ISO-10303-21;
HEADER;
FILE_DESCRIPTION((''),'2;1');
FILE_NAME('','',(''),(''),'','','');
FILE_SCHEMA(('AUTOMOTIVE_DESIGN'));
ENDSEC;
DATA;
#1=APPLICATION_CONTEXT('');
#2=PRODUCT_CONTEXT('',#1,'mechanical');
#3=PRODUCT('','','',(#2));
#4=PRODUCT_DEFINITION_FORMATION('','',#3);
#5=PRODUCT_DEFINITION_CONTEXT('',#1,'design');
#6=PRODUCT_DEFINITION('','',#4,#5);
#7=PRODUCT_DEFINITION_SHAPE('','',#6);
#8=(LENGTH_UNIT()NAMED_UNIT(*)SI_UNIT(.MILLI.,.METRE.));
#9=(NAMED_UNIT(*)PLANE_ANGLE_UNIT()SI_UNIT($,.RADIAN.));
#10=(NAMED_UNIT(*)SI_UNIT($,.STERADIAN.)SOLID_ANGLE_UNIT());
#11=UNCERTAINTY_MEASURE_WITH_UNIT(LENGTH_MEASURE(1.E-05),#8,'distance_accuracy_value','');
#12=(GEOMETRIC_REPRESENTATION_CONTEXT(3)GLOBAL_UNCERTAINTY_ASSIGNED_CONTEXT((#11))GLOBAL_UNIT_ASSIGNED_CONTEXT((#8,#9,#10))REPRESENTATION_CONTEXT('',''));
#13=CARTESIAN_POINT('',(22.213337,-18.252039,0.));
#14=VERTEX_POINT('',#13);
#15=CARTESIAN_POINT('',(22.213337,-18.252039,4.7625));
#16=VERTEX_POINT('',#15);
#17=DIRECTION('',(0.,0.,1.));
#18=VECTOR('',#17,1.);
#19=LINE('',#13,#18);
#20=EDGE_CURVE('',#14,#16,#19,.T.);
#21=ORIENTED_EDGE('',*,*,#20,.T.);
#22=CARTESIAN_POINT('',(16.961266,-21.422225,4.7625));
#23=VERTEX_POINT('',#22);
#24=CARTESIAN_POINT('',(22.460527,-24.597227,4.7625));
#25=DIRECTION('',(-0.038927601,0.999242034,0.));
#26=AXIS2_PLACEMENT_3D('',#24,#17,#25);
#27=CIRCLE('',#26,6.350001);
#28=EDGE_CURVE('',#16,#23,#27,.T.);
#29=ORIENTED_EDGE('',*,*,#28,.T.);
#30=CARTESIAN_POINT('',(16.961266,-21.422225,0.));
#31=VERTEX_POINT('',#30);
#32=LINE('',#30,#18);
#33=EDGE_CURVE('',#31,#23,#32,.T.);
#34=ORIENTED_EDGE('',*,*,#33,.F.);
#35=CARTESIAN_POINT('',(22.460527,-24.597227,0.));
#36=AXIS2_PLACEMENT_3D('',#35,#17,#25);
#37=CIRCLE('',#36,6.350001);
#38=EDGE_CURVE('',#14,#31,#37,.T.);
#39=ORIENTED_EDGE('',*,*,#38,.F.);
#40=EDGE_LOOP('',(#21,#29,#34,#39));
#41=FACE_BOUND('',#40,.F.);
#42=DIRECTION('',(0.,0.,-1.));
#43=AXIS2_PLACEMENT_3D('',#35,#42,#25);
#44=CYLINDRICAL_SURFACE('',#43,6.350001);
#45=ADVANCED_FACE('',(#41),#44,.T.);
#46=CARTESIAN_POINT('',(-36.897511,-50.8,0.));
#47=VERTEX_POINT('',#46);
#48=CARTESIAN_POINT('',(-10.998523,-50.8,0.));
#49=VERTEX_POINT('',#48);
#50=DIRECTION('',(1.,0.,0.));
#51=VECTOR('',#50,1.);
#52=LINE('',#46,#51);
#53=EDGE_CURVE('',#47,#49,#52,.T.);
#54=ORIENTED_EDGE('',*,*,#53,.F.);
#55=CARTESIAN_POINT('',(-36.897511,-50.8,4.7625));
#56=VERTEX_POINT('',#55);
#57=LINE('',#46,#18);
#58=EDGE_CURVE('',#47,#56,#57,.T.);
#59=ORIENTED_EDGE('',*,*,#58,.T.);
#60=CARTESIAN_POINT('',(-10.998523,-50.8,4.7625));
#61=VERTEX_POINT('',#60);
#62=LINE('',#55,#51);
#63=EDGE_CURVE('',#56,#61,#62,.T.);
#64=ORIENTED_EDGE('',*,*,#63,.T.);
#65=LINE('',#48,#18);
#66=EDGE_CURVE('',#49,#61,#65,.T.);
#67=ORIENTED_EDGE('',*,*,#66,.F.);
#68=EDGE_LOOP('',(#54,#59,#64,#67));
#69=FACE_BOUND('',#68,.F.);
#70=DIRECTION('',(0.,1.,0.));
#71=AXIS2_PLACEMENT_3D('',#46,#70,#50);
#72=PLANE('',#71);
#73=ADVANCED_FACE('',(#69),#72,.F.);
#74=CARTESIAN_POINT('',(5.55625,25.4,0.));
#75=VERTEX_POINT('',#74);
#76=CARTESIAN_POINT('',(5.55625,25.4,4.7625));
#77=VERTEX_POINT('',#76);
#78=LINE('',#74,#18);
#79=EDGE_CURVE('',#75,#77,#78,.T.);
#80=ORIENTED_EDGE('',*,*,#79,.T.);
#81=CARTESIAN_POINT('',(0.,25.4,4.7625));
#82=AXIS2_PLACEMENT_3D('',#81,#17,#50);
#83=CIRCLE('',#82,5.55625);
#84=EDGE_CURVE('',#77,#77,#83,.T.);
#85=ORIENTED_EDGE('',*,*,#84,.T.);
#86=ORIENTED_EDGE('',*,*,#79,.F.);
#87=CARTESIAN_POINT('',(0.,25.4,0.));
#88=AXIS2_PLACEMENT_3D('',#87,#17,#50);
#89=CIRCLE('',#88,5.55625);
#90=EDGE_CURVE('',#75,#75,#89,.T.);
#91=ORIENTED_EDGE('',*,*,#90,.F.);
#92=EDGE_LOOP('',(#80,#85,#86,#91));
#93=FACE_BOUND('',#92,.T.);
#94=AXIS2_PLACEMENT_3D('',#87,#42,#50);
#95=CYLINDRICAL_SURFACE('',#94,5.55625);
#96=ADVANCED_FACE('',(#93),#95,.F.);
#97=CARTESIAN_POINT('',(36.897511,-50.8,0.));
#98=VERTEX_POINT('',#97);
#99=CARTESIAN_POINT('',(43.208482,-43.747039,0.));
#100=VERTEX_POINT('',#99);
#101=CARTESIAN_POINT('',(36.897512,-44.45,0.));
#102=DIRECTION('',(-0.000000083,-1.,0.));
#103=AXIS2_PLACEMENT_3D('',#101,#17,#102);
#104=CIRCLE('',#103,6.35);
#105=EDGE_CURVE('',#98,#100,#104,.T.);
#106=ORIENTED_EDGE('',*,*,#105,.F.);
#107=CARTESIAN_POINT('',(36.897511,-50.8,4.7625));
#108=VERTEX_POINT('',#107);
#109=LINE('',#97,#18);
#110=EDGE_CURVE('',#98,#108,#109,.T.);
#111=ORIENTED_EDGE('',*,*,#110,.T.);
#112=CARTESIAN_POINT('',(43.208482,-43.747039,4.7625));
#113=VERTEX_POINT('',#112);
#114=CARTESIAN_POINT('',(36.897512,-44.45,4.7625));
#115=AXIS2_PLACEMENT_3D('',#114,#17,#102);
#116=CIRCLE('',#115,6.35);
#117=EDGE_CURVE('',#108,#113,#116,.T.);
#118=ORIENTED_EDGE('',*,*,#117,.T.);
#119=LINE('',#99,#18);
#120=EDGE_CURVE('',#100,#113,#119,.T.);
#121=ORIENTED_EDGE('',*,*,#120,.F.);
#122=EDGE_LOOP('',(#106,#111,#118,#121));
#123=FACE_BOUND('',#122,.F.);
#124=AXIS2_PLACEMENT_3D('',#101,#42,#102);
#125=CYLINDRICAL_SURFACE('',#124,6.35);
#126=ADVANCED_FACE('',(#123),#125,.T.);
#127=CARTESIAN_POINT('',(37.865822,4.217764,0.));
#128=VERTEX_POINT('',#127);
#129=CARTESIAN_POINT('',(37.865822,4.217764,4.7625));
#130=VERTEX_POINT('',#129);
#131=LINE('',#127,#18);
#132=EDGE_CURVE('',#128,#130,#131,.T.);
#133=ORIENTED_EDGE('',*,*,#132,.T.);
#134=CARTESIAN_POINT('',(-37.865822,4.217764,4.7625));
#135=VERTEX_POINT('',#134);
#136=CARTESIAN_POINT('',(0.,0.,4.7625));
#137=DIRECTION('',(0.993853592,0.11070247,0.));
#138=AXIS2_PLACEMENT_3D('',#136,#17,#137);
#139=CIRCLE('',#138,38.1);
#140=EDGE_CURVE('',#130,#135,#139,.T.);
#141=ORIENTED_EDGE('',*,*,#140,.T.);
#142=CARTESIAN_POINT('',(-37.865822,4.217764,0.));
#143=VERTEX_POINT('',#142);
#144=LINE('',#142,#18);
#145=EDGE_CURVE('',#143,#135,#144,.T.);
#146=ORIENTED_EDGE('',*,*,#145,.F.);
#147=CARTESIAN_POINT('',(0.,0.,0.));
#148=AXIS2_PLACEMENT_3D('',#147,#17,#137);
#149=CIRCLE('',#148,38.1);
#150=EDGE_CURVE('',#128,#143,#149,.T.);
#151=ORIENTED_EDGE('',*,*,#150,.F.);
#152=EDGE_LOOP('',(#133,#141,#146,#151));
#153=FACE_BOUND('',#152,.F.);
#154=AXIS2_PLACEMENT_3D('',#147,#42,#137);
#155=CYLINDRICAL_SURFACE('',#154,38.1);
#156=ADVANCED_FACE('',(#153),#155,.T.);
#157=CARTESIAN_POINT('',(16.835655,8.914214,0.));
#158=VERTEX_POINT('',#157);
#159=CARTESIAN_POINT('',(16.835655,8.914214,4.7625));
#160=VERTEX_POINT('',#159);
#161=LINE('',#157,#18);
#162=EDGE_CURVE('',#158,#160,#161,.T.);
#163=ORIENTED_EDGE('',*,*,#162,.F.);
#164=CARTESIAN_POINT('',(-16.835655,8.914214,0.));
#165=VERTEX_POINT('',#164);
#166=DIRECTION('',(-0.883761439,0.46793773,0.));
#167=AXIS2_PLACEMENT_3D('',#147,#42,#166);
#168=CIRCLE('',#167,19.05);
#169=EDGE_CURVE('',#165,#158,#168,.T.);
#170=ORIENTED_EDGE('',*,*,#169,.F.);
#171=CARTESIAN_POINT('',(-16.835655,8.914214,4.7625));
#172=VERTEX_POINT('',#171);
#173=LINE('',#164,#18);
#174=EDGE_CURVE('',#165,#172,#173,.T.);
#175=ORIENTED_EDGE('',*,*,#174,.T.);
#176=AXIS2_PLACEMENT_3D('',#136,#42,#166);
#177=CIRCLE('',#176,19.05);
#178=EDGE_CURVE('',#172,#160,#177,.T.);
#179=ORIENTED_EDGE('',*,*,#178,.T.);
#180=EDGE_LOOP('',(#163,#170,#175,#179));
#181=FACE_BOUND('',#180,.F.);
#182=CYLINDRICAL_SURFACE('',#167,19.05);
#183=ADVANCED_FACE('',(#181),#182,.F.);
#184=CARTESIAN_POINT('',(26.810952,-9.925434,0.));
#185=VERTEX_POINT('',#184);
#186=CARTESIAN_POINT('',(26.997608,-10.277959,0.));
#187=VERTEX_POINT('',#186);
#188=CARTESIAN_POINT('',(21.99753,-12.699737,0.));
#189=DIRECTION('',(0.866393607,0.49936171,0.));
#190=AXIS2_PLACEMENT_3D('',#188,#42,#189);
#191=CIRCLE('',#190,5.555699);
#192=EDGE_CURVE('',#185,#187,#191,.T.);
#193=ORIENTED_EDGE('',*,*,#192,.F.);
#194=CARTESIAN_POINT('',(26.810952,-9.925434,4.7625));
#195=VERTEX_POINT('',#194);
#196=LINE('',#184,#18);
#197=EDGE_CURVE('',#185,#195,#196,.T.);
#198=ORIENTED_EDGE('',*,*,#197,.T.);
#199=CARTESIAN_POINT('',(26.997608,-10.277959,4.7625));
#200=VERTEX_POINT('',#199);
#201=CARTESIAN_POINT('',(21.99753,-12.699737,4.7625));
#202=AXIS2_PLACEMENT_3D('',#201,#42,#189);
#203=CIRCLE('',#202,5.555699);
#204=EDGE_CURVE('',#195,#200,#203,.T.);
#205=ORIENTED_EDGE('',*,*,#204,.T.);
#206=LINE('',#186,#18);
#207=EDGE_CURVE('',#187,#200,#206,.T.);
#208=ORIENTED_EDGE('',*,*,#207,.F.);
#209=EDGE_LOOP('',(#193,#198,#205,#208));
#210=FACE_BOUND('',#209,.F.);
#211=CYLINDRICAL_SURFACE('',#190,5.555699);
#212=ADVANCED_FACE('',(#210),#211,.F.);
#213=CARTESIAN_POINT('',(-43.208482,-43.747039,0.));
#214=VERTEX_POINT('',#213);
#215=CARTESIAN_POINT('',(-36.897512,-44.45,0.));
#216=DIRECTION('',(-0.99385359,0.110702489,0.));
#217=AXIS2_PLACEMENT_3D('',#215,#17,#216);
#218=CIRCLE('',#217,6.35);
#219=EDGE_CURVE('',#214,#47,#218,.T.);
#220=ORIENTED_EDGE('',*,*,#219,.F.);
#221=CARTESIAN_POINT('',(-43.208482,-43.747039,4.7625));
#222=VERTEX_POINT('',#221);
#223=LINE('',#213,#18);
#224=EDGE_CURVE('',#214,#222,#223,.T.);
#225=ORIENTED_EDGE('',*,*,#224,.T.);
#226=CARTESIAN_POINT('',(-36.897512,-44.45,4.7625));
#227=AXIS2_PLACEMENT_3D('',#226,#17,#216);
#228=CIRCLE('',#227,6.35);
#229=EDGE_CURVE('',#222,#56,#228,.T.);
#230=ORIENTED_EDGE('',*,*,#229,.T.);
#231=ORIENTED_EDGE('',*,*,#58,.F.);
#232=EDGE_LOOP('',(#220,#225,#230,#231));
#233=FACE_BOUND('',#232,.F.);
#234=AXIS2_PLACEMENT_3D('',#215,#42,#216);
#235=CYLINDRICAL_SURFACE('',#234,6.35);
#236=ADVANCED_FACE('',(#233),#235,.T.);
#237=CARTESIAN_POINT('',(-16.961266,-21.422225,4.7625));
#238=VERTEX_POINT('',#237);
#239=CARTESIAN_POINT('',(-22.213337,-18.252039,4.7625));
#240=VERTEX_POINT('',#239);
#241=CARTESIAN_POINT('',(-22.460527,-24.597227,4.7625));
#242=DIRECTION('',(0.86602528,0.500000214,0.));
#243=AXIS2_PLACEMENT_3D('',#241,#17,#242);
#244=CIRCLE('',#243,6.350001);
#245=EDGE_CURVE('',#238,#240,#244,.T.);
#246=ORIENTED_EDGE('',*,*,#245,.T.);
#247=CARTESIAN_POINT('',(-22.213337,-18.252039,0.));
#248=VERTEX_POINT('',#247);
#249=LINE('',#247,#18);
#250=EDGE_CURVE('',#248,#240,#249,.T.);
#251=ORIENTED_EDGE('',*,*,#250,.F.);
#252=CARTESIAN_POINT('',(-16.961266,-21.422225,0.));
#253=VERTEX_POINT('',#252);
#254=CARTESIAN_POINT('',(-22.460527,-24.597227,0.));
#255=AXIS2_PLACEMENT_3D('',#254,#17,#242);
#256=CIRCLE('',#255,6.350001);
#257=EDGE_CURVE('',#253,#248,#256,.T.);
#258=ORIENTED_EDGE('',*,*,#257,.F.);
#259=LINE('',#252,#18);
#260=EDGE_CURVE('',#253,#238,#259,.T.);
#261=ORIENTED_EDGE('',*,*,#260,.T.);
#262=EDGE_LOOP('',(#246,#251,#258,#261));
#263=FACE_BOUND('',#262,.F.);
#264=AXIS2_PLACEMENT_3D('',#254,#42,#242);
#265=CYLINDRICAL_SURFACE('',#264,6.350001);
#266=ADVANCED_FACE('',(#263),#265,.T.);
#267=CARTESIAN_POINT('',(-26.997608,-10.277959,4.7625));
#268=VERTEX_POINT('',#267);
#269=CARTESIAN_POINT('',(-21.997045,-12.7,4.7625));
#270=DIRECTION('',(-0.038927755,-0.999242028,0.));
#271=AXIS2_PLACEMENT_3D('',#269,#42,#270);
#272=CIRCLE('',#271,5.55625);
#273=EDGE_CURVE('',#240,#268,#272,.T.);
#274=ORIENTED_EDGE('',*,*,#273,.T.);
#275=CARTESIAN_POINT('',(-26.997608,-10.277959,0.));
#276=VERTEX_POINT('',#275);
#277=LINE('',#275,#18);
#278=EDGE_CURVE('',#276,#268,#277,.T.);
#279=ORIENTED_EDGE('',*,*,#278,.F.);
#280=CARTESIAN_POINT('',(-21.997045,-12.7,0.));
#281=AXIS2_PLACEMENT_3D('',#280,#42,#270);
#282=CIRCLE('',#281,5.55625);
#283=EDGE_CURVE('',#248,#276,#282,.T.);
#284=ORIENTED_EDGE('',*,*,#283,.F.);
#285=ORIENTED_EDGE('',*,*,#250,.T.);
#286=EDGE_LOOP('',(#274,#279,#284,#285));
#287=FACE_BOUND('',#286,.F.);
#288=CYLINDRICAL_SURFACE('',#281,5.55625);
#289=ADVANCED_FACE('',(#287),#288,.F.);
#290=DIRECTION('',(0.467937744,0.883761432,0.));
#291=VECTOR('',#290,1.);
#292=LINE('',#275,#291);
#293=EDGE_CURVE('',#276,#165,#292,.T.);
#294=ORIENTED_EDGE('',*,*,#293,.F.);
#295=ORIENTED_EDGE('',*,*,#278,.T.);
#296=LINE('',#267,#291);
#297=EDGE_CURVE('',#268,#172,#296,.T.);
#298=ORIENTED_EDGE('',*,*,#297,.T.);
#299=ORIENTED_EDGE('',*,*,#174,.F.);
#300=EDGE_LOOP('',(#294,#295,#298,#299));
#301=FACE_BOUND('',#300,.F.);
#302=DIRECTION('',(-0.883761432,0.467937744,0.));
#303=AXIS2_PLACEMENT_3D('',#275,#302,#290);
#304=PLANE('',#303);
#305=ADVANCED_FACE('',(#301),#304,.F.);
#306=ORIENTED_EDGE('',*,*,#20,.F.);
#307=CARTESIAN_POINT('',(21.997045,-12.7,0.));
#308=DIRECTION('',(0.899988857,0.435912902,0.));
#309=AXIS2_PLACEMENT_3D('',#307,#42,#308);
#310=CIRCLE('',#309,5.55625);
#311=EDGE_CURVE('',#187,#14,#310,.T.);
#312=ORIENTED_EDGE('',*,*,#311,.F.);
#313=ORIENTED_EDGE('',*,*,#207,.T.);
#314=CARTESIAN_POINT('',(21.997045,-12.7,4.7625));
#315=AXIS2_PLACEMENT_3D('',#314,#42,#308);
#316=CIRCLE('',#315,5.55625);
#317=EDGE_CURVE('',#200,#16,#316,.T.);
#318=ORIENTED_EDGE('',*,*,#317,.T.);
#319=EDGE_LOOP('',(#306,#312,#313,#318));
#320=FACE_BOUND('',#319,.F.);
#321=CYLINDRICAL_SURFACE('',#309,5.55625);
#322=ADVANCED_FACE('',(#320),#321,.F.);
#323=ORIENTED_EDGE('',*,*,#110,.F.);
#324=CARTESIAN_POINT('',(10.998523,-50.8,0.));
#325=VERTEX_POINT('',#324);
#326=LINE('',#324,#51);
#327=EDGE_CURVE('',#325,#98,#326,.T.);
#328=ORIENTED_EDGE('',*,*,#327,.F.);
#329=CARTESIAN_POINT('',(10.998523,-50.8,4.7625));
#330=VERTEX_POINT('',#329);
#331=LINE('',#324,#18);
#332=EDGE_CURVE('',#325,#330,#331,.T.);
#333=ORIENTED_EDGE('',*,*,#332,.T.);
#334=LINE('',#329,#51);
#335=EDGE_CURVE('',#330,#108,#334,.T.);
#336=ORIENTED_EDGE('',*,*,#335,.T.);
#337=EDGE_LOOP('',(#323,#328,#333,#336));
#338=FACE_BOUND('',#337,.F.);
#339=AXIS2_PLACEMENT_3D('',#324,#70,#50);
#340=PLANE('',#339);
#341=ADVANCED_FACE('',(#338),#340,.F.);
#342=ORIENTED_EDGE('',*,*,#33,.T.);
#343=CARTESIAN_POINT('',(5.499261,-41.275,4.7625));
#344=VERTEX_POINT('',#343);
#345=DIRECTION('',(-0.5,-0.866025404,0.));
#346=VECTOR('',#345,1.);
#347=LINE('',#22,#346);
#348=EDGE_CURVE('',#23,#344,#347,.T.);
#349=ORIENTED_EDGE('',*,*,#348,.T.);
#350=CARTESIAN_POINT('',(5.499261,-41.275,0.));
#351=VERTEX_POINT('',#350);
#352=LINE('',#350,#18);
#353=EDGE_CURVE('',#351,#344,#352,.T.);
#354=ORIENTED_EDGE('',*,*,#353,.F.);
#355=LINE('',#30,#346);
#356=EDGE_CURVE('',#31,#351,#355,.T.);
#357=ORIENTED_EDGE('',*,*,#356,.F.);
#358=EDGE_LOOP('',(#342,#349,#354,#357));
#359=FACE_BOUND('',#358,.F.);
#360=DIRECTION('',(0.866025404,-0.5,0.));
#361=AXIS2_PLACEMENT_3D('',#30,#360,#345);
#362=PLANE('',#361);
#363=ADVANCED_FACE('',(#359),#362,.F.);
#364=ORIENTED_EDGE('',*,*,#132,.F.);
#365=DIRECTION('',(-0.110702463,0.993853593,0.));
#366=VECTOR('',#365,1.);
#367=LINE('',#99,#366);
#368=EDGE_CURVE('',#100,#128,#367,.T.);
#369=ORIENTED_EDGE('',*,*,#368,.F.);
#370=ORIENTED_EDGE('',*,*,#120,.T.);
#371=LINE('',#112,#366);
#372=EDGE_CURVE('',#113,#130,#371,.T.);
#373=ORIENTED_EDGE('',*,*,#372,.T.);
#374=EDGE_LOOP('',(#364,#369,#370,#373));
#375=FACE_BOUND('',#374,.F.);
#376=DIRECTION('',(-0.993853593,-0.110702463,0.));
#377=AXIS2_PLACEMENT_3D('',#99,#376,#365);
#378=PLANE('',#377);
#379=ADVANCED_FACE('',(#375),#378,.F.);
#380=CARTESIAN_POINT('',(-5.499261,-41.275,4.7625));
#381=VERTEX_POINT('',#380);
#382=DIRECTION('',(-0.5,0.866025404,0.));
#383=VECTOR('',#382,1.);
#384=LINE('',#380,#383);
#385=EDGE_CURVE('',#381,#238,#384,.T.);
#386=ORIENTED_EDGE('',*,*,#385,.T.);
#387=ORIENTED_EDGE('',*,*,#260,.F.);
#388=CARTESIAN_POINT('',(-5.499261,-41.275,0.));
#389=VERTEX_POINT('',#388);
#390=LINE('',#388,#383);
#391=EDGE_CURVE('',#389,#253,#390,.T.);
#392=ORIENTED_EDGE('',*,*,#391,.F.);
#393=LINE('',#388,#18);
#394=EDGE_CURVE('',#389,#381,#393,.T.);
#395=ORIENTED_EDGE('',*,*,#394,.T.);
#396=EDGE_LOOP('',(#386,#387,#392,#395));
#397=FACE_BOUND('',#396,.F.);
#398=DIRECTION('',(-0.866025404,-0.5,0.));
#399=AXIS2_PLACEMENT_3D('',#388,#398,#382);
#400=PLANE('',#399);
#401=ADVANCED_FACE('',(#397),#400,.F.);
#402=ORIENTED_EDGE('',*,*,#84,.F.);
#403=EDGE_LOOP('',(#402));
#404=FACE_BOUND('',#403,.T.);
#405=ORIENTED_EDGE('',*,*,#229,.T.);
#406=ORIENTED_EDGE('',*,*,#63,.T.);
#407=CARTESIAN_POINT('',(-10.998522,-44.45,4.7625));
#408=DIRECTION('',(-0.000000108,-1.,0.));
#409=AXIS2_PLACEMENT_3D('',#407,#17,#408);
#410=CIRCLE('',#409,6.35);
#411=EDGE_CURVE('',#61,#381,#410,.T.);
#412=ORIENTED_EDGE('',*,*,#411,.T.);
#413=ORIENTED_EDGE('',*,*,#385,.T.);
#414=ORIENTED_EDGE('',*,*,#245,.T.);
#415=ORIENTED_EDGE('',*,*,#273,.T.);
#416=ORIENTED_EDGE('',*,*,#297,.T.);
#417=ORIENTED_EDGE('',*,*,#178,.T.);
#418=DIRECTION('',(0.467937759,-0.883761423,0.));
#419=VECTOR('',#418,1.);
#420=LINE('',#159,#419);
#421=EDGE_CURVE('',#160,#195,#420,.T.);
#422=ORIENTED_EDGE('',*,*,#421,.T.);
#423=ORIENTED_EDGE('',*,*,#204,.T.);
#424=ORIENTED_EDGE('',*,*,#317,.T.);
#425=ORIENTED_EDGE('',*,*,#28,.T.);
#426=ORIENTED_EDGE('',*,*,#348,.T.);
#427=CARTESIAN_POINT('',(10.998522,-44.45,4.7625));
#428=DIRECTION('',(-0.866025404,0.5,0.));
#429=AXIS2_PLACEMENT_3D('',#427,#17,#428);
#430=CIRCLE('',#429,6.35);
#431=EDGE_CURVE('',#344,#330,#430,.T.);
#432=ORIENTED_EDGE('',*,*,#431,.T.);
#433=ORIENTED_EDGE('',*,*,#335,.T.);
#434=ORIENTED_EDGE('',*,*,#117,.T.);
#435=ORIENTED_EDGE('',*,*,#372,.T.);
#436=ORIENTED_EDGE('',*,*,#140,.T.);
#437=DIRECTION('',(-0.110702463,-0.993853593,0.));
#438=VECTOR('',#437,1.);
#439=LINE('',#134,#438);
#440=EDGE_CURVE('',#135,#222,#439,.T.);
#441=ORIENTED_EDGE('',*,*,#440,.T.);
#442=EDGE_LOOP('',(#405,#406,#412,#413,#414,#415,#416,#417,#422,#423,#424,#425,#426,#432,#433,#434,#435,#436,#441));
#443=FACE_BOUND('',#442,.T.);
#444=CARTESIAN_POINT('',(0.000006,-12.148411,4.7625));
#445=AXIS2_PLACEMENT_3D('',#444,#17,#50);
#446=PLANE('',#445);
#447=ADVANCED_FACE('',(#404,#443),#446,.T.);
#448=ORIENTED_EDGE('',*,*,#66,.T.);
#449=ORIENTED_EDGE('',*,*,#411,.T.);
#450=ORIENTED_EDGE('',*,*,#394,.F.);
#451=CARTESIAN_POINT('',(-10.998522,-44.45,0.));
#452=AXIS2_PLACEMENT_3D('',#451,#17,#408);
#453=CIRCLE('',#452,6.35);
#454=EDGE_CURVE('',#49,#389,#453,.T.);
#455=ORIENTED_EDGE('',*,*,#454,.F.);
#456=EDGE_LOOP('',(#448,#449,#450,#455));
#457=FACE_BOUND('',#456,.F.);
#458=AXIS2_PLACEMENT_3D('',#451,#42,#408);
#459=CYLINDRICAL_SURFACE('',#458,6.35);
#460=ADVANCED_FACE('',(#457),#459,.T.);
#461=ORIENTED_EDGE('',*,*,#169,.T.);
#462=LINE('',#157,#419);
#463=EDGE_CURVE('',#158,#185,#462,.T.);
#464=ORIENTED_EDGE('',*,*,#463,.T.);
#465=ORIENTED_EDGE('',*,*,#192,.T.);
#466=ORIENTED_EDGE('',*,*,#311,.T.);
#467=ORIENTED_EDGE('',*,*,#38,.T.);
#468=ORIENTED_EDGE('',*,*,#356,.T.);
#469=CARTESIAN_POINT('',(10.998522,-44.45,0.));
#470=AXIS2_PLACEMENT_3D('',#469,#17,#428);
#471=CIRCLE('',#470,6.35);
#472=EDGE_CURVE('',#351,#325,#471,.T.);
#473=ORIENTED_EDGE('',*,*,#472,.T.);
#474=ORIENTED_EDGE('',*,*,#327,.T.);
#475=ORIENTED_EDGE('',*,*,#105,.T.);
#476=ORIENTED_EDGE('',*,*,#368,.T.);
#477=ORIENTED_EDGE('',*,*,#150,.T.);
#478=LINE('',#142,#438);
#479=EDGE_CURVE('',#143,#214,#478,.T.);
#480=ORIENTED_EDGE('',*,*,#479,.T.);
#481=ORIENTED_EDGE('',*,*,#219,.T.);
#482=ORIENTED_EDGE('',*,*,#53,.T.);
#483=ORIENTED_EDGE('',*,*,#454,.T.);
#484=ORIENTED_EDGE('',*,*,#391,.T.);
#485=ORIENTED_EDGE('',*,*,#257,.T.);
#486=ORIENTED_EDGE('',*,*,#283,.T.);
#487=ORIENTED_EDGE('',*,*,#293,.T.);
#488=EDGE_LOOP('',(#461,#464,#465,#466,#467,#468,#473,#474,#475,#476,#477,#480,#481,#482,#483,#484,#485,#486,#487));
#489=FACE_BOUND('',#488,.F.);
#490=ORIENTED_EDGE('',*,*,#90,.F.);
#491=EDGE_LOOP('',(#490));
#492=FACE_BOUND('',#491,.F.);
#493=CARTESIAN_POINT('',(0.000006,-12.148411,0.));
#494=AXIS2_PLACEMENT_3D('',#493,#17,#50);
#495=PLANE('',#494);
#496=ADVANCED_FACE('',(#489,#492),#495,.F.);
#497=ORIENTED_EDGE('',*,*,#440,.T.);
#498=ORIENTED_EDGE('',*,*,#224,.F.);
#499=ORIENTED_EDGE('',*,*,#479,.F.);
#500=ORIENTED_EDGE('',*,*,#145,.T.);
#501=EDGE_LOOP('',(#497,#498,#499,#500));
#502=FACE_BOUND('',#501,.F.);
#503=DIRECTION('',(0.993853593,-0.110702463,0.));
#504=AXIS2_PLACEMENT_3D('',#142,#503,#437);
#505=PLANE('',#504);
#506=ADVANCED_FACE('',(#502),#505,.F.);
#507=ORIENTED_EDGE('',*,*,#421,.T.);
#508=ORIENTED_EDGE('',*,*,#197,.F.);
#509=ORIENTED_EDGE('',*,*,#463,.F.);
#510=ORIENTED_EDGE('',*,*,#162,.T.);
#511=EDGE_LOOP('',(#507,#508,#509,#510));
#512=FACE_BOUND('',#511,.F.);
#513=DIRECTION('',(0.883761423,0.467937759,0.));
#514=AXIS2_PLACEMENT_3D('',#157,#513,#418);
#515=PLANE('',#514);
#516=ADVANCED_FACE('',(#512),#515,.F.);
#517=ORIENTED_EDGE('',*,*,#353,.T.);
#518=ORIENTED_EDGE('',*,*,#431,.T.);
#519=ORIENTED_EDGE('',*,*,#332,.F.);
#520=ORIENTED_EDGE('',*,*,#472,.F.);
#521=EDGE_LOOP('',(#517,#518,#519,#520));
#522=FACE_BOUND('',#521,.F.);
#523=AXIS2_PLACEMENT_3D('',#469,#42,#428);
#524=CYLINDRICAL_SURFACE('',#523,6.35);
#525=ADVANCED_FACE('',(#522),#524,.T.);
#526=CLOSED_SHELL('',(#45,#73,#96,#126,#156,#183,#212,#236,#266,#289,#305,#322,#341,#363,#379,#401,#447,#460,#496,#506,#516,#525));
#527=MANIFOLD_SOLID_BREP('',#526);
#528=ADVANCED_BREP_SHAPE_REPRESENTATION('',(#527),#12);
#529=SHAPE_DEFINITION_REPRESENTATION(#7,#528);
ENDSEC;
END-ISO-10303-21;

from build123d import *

# Parameters (mm, degrees)
F0_R     = 5.55625
F1_DEPTH = 4.7625


with BuildPart() as f1:
    # F0 (on Top) → F1 (new body)
    with BuildSketch(Plane.XY):
        with BuildLine():
            Line((43.208482, -43.747039), (37.865822, 4.217764))
            ThreePointArc((37.865822, 4.217764), (0, 38.1), (-37.865822, 4.217764))
            Line((-37.865822, 4.217764), (-43.208482, -43.747039))
            ThreePointArc((-43.208482, -43.747039), (-41.629652, -48.684306), (-36.897511, -50.8))
            Line((-36.897511, -50.8), (-10.998523, -50.8))
            ThreePointArc((-10.998523, -50.8), (-5.499261, -47.625), (-5.499261, -41.275))
            Line((-5.499261, -41.275), (-16.961266, -21.422225))
            ThreePointArc((-16.961266, -21.422225), (-19.179072, -19.160816), (-22.213337, -18.252039))
            ThreePointArc((-22.213337, -18.252039), (-26.761537, -15.558589), (-26.997608, -10.277959))
            Line((-26.997608, -10.277959), (-16.835655, 8.914214))
            ThreePointArc((-16.835655, 8.914214), (0, 19.05), (16.835655, 8.914214))
            Line((16.835655, 8.914214), (26.810952, -9.925434))
            ThreePointArc((26.810952, -9.925434), (26.907445, -10.100021), (26.997608, -10.277959))
            ThreePointArc((26.997608, -10.277959), (26.761537, -15.558589), (22.213337, -18.252039))
            ThreePointArc((22.213337, -18.252039), (19.179072, -19.160816), (16.961266, -21.422225))
            Line((16.961266, -21.422225), (5.499261, -41.275))
            ThreePointArc((5.499261, -41.275), (5.499261, -47.625), (10.998523, -50.8))
            Line((10.998523, -50.8), (36.897511, -50.8))
            ThreePointArc((36.897511, -50.8), (41.629652, -48.684306), (43.208482, -43.747039))
        make_face()
        with Locations((0, 25.4)):
            Circle(F0_R, mode=Mode.SUBTRACT)
    extrude(amount=F1_DEPTH)


solid = f1.part
